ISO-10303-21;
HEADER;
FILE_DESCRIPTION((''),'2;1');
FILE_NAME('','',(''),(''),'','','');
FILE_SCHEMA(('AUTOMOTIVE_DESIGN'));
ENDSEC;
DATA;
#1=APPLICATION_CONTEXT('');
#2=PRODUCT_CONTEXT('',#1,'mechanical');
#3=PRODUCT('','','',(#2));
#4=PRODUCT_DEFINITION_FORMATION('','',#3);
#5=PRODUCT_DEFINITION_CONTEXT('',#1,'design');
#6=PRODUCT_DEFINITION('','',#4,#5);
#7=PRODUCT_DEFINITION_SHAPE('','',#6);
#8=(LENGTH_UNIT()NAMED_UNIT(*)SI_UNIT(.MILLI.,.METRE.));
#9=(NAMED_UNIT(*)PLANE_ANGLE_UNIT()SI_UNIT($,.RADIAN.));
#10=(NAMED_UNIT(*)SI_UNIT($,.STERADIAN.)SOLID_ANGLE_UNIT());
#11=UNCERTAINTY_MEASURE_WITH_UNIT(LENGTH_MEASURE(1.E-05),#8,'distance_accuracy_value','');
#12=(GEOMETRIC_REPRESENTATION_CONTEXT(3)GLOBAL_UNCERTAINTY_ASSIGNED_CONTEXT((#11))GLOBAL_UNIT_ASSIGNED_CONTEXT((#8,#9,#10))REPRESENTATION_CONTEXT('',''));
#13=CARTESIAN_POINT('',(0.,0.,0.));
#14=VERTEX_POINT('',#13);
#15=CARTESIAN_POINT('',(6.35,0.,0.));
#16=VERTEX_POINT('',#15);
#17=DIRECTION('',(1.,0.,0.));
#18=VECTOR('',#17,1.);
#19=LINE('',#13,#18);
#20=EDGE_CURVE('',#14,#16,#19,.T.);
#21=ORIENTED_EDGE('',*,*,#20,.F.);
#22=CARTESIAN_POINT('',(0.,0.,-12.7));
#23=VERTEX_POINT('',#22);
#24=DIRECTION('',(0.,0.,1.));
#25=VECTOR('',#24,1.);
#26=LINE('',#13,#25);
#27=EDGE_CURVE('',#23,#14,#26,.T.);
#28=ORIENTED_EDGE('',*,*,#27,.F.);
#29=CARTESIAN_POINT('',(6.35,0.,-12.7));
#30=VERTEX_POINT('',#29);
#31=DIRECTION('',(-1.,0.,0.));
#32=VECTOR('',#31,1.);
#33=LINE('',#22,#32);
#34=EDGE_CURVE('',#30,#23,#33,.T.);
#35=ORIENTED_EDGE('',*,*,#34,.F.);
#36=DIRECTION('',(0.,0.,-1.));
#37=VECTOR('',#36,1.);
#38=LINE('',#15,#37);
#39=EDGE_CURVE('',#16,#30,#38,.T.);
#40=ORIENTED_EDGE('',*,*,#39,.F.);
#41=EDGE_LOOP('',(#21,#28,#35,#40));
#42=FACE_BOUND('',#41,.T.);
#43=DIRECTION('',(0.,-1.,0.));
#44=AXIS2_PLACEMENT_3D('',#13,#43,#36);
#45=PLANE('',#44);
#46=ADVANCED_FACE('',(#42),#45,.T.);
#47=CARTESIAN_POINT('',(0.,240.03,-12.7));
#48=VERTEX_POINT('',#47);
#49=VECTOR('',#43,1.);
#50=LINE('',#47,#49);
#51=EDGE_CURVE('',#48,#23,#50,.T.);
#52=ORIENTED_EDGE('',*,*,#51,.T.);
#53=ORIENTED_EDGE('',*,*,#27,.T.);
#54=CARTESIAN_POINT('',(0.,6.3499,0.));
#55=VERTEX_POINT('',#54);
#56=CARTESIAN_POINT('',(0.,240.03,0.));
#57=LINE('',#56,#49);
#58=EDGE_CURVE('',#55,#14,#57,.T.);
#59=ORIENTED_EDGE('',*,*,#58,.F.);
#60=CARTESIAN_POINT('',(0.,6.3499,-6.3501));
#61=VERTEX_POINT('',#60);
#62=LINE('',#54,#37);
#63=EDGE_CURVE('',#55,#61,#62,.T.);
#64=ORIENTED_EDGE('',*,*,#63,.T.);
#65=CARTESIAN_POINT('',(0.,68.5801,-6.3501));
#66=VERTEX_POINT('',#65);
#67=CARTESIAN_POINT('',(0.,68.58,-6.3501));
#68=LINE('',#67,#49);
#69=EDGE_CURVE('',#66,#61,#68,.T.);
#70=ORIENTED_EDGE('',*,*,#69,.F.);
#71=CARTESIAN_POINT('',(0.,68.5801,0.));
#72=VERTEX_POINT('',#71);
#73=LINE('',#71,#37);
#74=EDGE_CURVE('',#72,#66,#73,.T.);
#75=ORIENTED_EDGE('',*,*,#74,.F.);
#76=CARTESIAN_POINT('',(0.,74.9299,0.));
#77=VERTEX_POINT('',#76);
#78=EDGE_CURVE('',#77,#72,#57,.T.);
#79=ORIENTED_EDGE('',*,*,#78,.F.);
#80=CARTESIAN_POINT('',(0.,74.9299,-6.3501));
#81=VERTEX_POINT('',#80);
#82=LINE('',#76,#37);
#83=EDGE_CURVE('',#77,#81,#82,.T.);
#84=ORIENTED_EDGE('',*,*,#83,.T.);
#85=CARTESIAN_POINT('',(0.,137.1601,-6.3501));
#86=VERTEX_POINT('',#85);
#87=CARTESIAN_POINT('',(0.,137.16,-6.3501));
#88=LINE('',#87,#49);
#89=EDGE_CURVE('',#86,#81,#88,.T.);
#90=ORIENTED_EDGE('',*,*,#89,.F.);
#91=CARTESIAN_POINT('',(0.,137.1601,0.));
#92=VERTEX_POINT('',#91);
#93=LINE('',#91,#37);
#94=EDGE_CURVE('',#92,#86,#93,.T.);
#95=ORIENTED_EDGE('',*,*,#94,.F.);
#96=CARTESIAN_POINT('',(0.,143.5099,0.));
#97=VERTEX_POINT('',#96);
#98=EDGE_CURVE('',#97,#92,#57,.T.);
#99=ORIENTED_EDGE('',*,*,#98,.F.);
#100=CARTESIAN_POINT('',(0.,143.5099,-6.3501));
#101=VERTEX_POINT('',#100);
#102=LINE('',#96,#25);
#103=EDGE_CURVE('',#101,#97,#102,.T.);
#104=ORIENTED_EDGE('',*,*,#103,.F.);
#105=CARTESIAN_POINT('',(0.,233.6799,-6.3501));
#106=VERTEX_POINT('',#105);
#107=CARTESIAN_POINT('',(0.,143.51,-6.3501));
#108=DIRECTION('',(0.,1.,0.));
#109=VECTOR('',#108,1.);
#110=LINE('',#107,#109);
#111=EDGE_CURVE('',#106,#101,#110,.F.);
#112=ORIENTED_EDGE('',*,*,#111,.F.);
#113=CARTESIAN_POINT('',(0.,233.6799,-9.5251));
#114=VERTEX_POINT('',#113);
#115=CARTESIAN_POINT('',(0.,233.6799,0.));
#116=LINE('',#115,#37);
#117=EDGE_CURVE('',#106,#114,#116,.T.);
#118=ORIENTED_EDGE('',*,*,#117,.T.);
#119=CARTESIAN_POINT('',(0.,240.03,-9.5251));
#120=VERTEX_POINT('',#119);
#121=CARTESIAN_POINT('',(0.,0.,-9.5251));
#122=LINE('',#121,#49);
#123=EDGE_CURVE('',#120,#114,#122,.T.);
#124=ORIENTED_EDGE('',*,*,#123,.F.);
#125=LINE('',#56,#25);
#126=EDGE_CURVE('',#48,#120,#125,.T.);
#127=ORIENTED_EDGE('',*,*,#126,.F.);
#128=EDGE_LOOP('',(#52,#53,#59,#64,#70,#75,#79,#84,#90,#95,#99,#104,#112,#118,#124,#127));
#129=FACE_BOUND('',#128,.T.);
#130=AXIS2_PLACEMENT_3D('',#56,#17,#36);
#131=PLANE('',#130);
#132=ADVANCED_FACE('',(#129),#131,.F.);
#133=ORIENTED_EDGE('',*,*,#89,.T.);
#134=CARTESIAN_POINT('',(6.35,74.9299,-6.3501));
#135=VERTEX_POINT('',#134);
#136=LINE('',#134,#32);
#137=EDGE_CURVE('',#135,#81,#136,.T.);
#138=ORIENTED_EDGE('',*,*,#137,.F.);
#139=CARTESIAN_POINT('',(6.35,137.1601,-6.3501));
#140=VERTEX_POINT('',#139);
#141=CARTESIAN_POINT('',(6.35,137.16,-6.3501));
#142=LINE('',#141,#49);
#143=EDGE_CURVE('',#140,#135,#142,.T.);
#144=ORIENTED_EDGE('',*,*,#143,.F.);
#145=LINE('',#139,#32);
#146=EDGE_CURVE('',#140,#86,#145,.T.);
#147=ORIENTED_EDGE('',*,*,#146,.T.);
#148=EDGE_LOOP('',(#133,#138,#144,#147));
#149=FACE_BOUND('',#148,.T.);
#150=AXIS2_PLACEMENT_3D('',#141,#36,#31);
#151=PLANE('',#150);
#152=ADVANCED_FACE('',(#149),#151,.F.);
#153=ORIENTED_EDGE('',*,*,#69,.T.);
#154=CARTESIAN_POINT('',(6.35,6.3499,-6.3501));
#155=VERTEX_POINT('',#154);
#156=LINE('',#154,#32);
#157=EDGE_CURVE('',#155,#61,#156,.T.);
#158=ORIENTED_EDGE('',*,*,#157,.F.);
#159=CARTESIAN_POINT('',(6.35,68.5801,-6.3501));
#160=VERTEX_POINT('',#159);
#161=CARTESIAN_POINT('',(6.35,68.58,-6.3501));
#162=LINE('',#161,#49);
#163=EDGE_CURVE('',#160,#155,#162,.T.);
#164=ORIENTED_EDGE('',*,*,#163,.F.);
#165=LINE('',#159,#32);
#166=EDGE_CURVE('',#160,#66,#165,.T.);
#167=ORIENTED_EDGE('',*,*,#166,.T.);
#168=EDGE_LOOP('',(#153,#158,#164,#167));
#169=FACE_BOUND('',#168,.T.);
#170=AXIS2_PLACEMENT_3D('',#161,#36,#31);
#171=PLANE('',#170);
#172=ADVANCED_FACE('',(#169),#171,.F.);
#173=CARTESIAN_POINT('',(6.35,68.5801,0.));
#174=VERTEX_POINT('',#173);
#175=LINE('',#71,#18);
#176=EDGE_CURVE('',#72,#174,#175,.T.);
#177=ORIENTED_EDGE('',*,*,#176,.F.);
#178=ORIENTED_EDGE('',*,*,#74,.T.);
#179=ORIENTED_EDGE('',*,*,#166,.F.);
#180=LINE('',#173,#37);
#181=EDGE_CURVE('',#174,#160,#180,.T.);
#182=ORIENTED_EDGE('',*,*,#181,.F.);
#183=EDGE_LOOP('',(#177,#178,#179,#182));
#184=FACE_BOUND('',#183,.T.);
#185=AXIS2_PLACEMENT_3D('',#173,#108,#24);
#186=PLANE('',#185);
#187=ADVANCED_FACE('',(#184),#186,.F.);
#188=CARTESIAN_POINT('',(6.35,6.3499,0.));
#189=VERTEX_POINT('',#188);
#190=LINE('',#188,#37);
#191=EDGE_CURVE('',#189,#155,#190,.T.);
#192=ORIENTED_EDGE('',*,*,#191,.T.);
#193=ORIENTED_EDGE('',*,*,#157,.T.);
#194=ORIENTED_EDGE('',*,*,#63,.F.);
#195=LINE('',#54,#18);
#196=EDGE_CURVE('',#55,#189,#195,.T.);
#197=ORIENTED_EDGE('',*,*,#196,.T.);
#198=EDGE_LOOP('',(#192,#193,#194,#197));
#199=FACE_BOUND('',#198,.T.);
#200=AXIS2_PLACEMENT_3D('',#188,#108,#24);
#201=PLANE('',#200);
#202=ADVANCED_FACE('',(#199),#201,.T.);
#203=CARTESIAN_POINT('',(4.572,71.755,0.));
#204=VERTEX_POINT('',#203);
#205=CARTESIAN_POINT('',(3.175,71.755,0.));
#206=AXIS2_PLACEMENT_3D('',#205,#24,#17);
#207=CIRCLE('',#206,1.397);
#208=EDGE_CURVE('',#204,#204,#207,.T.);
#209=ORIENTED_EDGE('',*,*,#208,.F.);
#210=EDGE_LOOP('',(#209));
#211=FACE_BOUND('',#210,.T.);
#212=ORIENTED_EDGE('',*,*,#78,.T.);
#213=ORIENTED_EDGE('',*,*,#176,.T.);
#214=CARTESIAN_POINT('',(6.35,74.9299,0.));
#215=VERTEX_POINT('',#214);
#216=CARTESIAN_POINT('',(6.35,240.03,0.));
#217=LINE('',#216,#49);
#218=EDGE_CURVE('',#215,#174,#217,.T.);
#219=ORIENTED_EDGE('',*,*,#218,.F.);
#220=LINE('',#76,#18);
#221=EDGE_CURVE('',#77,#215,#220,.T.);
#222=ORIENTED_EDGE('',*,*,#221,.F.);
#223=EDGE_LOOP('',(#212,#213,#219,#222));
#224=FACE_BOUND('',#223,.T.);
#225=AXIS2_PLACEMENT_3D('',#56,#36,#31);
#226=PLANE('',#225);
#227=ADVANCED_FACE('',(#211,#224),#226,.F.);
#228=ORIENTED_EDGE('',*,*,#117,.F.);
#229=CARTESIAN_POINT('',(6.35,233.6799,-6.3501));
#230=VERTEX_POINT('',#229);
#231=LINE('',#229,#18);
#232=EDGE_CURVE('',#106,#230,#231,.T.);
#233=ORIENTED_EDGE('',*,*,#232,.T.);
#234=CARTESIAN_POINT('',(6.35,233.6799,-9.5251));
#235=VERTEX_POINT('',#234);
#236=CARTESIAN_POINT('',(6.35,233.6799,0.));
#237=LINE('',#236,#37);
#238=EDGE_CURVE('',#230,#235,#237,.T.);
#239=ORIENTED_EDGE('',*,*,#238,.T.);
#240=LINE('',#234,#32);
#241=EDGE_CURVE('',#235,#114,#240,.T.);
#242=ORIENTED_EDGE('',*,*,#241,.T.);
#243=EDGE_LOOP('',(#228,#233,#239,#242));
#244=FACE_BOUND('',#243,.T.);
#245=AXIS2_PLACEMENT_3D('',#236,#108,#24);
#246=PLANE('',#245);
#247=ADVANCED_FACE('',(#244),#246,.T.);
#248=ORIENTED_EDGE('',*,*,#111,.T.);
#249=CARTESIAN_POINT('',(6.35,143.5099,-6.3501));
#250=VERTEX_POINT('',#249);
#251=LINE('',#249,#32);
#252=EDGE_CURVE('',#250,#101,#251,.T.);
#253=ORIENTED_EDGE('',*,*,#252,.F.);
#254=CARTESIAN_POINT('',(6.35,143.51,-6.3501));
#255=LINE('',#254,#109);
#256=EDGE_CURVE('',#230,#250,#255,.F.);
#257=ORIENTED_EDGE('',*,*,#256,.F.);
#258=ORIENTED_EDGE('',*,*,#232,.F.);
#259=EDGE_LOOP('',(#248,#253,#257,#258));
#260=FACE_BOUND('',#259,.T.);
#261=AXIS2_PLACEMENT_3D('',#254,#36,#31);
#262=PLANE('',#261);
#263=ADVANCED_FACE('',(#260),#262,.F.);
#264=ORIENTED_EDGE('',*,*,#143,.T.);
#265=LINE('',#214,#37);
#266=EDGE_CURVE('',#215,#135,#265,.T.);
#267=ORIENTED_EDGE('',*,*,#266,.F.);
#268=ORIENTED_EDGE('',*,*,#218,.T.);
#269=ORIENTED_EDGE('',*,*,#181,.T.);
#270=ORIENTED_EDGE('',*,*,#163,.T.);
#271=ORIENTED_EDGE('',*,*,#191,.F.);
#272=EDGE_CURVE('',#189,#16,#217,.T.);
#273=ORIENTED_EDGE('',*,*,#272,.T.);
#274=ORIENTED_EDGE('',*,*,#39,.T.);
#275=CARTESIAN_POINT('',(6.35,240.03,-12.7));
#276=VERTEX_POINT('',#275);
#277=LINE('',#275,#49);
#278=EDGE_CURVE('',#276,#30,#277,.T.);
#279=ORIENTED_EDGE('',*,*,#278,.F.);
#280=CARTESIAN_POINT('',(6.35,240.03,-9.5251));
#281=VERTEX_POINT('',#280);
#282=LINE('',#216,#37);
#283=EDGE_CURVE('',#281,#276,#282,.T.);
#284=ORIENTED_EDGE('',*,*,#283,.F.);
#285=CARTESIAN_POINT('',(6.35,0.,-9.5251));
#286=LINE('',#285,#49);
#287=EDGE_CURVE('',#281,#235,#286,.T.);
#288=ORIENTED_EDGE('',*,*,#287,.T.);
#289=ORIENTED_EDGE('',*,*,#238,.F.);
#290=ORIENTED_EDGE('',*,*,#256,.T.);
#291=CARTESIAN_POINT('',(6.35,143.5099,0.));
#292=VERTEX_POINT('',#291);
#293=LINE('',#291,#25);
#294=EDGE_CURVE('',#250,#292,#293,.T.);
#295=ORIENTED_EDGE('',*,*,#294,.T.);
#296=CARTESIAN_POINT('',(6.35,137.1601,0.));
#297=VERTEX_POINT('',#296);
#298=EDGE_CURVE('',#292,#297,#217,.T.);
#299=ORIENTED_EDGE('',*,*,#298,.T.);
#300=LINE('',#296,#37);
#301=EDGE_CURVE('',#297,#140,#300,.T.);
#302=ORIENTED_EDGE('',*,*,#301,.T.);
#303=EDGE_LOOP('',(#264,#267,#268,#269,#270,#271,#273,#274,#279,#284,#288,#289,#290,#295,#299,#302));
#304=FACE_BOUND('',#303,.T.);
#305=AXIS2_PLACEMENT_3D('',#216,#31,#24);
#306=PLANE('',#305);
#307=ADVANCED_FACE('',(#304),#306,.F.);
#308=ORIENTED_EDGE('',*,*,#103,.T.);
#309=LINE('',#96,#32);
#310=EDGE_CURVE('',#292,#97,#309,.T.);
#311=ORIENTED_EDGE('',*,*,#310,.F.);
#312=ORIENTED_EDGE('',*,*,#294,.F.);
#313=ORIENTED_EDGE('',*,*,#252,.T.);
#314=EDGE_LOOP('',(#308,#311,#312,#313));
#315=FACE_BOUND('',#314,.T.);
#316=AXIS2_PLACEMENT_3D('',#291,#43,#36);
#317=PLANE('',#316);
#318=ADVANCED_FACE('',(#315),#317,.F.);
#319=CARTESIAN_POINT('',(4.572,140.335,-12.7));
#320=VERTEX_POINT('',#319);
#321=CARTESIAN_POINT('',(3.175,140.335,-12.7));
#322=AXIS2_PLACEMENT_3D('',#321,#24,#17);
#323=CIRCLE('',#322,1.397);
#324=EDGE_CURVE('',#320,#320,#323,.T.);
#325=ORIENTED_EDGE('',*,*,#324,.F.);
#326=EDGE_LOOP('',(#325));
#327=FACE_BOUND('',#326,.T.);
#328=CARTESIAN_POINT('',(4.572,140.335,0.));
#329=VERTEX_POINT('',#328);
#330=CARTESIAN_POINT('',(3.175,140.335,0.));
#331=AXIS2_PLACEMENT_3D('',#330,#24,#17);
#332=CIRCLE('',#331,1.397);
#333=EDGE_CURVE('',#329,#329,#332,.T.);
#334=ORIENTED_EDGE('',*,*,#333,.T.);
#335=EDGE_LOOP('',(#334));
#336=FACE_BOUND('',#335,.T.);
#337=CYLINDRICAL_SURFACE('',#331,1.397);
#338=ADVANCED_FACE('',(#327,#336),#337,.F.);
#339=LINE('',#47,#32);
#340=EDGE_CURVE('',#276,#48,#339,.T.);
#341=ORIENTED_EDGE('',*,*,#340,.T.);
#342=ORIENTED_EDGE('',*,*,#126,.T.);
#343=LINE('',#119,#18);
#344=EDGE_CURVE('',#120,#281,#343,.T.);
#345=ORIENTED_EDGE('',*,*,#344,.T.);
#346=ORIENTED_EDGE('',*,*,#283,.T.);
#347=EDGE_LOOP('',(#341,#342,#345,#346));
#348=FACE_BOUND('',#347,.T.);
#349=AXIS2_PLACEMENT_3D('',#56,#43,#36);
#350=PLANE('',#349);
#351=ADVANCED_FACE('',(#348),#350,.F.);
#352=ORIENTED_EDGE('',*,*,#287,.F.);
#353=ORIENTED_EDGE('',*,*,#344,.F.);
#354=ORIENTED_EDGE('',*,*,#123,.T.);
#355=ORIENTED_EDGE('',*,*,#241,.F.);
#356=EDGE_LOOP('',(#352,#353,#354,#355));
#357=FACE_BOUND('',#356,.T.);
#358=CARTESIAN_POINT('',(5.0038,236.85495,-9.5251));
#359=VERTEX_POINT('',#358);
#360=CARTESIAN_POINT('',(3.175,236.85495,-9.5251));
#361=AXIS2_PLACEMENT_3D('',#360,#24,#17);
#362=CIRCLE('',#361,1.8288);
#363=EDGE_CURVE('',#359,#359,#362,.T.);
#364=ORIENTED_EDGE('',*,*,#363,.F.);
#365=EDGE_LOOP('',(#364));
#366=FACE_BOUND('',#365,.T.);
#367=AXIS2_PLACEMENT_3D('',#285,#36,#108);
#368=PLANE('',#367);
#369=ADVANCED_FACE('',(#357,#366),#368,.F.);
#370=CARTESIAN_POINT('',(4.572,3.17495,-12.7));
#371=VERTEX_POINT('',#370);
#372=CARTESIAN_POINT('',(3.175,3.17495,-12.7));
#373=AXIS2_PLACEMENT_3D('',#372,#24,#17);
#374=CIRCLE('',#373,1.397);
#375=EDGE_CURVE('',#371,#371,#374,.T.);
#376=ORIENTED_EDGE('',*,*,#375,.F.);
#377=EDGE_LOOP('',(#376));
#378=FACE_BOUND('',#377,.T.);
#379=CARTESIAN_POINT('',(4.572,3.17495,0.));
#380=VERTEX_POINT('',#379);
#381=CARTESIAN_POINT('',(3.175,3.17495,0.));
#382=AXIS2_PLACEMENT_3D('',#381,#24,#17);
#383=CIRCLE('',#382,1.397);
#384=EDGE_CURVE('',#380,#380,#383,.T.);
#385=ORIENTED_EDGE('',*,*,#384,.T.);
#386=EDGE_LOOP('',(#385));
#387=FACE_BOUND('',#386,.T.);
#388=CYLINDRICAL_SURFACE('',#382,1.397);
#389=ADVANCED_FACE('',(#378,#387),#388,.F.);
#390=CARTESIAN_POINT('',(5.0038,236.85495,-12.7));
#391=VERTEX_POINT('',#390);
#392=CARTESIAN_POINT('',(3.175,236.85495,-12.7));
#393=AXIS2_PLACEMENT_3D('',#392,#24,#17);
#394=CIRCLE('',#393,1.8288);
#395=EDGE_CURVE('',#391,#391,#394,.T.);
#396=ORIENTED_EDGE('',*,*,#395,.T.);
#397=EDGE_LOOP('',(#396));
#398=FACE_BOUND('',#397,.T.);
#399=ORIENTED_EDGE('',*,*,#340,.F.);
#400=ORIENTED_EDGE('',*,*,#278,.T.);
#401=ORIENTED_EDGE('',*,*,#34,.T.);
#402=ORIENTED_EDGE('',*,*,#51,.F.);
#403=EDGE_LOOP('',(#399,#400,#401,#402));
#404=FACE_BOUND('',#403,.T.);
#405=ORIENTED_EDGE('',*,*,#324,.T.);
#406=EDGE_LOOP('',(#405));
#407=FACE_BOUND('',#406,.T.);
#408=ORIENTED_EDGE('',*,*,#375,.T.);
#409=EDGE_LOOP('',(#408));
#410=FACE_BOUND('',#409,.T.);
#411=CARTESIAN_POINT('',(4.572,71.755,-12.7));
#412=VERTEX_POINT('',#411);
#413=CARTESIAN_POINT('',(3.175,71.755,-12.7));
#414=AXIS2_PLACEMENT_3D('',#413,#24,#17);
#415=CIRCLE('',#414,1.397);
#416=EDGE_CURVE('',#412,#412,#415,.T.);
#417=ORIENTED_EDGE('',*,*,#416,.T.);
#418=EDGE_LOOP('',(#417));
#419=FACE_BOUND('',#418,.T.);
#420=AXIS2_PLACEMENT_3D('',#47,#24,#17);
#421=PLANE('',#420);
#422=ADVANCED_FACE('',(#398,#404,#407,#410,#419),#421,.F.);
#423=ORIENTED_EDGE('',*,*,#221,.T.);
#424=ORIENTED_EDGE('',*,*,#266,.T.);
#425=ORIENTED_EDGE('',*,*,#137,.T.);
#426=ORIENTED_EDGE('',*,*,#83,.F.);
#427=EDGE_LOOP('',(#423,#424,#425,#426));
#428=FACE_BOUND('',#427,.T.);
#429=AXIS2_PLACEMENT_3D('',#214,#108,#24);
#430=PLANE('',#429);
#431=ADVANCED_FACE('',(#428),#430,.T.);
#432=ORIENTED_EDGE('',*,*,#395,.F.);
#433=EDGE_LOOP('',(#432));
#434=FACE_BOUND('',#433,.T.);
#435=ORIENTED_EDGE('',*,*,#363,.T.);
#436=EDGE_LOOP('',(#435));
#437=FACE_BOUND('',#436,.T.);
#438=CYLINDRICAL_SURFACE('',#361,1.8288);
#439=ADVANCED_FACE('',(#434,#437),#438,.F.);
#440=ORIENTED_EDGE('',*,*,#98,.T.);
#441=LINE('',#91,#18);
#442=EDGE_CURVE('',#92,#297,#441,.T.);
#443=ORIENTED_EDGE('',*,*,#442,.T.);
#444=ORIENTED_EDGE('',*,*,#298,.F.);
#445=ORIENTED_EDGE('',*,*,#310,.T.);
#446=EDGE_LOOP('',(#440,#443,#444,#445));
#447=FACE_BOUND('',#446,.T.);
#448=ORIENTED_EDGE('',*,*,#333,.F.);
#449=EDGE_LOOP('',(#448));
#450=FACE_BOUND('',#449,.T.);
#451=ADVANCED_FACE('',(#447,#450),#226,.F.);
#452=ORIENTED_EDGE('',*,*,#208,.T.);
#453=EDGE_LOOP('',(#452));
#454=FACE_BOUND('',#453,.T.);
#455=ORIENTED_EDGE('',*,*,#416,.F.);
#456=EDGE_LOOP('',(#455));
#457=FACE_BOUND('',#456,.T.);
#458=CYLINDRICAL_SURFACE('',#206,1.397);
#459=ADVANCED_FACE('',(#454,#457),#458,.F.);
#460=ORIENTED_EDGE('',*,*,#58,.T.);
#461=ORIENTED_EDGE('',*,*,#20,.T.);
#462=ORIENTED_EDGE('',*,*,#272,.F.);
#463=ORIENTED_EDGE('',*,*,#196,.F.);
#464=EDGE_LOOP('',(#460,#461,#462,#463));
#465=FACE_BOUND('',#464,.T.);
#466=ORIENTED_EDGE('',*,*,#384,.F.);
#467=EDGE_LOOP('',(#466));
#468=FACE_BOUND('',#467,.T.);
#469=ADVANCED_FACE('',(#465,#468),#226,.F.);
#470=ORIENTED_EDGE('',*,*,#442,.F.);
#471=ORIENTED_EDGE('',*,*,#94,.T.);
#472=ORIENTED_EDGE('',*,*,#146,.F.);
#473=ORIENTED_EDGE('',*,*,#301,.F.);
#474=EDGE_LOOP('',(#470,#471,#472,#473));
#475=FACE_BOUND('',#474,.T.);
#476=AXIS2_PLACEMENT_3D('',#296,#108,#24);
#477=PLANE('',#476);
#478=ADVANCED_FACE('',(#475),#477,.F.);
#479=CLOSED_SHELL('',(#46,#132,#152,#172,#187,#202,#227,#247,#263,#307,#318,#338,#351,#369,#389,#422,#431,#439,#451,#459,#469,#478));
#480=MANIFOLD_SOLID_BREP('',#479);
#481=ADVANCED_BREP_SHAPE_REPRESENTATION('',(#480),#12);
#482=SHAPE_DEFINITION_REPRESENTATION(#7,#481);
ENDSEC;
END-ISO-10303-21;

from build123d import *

# Parameters (mm, degrees)
SKETCH1_W                  = 6.35
SKETCH1_H                  = 12.7
BOSS_EXTRUDE1_DEPTH        = 240.03
CUT_EXTRUDE_THIN1_DEPTH    = 241.449606779
F_35_0_11_DIAMETER_HOLE1_D = 2.794
F_6_CLEARANCE_HOLE1_D      = 3.6576


with BuildPart() as part:
    # Sketch1 → Boss-Extrude1 (new body)
    with BuildSketch(Plane(origin=(0, 0, 0), x_dir=(1, 0, 0), z_dir=(0, 1, 0))):
        with Locations((3.175, 6.35)):
            Rectangle(SKETCH1_W, SKETCH1_H)
    extrude(amount=BOSS_EXTRUDE1_DEPTH)

    # Sketch2 → Cut-Extrude-Thin1 (cut, through all)
    with BuildSketch(Plane.ZY):
        Polygon((0, 233.68), (-9.525, 233.68), (-9.525, 240.03), (-9.52510033, 240.03), (-9.52510033, 233.67989967), (0, 233.67989967), align=None)
        Polygon((0, 143.51), (-6.35, 143.51), (-6.35, 233.68), (-6.35010033, 233.68), (-6.35010033, 143.50989967), (0, 143.50989967), align=None)
        Polygon((0, 137.16), (-6.35, 137.16), (-6.35, 74.93), (0, 74.93), (0, 74.93010033), (-6.34989967, 74.93010033), (-6.34989967, 137.15989967), (0, 137.15989967), align=None)
        Polygon((0, 68.58), (-6.35, 68.58), (-6.35, 6.35), (0, 6.35), (0, 6.35010033), (-6.34989967, 6.35010033), (-6.34989967, 68.57989967), (0, 68.57989967), align=None)
    extrude(amount=-CUT_EXTRUDE_THIN1_DEPTH, mode=Mode.SUBTRACT)


with BuildPart() as cut_extrude_thin1_kept_piece:
    # of the separate pieces the step leaves, the one the design keeps (cut_extrude_thin1_pieces_kept)
    add(part.part.solids().sort_by_distance((0, 0, 0))[0])

    # #35 (0.11) Diameter Hole1 (through all)
    with Locations(Plane.XY):
        with Locations((3.175, 140.335), (3.175, 71.755), (3.175, 3.174949835)):
            Hole(F_35_0_11_DIAMETER_HOLE1_D / 2)

    # #6 Clearance Hole1 (through all)
    with Locations(Plane.XY.offset(-9.52510033)):
        with Locations((3.175, 236.854949835)):
            Hole(F_6_CLEARANCE_HOLE1_D / 2)


solid = cut_extrude_thin1_kept_piece.part
